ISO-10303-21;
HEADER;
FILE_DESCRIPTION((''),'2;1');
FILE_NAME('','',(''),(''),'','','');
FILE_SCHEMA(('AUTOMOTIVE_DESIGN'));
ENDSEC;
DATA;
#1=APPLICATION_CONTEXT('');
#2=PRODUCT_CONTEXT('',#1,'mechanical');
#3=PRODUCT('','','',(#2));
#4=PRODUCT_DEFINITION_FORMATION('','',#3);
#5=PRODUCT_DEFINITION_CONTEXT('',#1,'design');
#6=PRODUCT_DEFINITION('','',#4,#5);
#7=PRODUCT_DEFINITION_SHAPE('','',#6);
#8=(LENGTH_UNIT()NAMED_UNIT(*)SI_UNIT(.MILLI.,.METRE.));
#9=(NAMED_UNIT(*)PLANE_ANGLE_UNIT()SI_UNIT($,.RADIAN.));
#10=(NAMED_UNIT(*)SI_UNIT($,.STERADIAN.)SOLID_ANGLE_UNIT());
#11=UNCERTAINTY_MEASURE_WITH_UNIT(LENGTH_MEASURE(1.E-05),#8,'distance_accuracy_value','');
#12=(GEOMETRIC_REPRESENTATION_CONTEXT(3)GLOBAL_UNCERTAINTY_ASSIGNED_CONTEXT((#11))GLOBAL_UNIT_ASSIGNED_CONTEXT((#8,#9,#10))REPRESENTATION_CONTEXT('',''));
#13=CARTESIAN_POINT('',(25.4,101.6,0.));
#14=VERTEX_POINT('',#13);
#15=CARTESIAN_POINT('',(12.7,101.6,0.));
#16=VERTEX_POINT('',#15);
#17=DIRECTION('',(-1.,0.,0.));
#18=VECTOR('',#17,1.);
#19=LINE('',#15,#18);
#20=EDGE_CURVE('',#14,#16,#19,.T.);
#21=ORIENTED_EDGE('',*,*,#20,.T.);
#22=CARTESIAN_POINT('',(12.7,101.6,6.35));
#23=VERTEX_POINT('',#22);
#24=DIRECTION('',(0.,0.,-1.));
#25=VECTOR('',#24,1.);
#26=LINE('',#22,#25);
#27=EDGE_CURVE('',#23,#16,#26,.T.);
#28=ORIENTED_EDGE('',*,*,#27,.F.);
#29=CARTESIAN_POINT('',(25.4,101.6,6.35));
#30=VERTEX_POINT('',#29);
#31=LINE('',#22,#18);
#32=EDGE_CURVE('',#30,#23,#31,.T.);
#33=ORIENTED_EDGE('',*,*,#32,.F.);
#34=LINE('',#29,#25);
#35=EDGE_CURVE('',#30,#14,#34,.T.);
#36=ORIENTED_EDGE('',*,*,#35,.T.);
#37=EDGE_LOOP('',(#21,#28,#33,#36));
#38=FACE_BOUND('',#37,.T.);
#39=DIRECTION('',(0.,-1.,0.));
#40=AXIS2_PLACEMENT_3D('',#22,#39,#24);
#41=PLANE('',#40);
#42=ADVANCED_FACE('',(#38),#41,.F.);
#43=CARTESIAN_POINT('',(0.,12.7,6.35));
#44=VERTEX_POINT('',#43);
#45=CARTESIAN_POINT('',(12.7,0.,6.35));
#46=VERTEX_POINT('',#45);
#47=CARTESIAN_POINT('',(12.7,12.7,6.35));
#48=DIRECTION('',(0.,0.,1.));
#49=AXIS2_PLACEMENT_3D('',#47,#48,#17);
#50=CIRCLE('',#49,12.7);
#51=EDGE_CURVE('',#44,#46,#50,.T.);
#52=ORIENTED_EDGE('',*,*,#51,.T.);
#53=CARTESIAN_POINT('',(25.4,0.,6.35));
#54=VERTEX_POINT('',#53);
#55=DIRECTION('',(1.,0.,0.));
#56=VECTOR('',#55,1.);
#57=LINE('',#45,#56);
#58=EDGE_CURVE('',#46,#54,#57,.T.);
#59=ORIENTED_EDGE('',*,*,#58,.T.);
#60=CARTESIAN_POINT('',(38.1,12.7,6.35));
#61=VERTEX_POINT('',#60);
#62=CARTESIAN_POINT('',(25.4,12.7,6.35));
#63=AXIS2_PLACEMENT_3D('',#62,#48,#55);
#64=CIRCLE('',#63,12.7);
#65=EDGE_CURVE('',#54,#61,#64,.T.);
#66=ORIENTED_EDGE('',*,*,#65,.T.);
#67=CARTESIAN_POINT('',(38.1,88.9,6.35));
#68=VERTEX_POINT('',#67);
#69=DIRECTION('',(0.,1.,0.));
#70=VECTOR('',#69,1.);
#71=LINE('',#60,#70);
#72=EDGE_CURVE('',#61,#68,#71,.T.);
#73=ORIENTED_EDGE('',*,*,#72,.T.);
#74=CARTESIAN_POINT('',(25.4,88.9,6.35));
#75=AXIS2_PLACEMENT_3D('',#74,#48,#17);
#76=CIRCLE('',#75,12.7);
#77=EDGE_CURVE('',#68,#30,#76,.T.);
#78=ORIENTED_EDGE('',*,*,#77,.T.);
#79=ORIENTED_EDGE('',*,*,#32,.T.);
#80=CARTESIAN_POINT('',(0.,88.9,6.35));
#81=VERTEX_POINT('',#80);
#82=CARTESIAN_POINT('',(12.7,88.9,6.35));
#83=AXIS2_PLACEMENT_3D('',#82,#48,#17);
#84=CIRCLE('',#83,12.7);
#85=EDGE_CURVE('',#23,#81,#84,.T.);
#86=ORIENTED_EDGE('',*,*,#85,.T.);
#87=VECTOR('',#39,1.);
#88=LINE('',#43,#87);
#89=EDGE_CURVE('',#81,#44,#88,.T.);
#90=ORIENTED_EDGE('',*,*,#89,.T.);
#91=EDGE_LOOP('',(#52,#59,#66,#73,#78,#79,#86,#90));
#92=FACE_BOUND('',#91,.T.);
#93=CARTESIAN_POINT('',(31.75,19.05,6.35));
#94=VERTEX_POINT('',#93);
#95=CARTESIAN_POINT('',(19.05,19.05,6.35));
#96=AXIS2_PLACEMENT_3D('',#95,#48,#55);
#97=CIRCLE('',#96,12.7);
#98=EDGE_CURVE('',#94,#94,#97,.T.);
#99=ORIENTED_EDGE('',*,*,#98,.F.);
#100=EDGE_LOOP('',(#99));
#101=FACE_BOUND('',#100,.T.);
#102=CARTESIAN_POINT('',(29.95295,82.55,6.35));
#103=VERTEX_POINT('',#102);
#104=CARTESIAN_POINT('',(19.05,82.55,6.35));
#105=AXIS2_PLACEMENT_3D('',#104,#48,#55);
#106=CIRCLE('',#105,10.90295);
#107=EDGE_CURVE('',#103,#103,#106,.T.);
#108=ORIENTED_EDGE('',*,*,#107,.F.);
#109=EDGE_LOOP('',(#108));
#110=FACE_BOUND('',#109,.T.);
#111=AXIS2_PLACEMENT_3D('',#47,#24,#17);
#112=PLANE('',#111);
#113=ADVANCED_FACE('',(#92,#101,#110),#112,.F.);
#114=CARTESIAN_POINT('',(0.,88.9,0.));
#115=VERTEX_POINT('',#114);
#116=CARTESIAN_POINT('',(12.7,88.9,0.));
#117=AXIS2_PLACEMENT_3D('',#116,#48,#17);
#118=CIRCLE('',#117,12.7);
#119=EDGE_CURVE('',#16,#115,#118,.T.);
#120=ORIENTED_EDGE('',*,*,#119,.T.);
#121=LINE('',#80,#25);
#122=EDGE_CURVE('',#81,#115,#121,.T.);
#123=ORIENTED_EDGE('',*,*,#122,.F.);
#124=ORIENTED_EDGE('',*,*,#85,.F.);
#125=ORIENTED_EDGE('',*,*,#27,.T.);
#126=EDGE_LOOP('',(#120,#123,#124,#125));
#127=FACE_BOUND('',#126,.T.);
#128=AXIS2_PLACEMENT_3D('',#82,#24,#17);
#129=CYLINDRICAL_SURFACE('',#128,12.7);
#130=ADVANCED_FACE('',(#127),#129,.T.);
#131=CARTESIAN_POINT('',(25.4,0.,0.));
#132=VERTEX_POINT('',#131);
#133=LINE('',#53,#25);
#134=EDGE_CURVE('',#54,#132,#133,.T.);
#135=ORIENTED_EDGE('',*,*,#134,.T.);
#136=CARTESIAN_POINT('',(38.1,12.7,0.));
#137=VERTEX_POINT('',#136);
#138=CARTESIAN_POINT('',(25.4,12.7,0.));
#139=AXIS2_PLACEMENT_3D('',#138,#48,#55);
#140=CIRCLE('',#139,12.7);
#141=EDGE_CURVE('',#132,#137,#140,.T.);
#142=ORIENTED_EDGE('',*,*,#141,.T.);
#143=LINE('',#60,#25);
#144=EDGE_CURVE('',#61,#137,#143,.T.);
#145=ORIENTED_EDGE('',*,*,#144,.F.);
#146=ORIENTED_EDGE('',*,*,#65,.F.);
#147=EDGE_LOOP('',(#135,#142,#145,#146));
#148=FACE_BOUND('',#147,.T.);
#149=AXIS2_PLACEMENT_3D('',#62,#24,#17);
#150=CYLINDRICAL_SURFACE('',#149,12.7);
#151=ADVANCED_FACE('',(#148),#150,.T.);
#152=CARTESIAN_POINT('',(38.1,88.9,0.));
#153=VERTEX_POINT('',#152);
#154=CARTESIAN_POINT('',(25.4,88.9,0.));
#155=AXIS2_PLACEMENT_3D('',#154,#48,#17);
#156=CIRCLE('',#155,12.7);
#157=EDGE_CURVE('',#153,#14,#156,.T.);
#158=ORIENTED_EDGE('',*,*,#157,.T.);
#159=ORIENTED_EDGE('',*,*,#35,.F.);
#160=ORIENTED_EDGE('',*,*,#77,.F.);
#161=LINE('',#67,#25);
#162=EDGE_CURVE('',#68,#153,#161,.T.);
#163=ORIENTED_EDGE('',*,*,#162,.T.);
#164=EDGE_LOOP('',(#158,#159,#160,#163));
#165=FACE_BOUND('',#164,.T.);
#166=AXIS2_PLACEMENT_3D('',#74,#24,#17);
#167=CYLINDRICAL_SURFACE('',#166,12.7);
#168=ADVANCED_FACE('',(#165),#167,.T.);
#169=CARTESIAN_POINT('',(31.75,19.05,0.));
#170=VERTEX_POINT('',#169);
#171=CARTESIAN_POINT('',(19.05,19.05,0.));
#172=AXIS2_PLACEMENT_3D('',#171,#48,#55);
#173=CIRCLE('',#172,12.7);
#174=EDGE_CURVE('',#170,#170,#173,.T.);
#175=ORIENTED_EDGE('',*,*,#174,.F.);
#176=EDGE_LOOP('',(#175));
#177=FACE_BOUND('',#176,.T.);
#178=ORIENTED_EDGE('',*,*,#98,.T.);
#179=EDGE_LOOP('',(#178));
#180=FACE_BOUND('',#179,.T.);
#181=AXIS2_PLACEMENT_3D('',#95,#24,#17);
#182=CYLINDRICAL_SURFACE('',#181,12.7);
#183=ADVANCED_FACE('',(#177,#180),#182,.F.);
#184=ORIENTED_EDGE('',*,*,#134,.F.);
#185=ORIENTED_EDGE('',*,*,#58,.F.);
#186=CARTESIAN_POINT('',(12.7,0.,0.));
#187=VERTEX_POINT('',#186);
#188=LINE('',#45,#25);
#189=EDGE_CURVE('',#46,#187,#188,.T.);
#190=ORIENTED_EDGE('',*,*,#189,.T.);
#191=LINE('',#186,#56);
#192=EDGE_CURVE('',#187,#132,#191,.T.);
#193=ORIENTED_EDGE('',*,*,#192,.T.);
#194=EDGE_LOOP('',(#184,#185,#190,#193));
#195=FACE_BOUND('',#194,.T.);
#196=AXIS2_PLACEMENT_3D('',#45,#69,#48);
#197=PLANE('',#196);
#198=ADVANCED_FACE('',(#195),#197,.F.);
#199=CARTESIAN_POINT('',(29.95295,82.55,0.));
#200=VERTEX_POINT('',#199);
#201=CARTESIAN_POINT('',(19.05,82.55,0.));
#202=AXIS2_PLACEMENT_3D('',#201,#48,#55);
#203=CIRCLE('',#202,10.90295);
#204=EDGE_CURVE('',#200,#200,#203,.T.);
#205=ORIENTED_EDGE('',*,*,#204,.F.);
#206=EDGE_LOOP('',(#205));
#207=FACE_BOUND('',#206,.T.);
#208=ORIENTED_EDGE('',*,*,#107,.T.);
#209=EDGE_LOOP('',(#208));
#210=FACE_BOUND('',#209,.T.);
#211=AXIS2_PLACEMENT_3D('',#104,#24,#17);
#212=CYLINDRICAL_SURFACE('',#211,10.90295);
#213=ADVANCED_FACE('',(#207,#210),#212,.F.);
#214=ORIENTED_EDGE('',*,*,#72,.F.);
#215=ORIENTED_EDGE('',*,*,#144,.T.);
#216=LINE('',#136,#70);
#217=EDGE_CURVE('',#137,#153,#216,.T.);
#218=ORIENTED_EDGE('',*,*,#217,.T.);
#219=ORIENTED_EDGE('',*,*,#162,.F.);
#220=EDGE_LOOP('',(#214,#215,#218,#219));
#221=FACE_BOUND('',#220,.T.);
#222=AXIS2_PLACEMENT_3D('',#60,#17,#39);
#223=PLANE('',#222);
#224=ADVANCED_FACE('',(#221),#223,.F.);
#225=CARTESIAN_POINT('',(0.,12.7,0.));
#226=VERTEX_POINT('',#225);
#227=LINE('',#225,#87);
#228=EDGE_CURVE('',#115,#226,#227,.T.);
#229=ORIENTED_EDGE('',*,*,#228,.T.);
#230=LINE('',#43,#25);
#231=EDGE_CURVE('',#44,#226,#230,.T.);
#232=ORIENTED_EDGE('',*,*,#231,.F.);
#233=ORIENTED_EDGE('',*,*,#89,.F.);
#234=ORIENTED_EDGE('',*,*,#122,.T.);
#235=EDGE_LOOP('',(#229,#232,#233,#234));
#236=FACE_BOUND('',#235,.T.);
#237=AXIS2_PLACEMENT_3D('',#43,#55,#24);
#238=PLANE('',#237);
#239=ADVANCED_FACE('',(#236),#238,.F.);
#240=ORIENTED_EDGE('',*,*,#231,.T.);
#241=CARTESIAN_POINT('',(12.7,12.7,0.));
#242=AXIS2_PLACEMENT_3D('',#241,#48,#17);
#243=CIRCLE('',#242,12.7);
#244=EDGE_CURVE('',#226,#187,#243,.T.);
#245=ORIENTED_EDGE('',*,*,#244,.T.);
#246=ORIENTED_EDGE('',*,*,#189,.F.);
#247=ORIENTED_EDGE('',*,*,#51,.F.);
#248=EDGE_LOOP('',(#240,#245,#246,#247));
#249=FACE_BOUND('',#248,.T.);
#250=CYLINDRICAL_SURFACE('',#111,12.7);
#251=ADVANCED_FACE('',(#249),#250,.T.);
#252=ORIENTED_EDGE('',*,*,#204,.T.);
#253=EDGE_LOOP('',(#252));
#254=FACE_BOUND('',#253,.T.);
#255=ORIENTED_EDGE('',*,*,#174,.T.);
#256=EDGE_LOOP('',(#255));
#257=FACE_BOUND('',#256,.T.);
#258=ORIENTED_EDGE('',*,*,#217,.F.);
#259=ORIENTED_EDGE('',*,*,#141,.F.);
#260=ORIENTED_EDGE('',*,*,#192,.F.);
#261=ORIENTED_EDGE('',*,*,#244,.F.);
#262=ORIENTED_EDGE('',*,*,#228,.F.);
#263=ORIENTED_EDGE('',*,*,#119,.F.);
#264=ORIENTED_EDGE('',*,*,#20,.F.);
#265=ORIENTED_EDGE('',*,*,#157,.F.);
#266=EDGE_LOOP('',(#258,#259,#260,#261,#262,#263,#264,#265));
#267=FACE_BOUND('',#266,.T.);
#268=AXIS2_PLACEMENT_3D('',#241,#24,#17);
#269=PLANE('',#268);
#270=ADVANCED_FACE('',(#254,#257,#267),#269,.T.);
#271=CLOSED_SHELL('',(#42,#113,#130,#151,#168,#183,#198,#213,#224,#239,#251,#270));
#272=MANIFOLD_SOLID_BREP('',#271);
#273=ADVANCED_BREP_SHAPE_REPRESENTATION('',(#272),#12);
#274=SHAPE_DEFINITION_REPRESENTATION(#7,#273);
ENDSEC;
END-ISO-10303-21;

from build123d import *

# Parameters (mm, degrees)
SKETCH1_R           = 10.90295
SKETCH1_R_2         = 12.7
BOSS_EXTRUDE1_DEPTH = 6.35


with BuildPart() as part:
    # Sketch1 → Boss-Extrude1 (new body)
    with BuildSketch(Plane.XY):
        with BuildLine():
            Line((12.7, 0), (25.4, 0))
            ThreePointArc((25.4, 0), (34.380256121, 3.719743879), (38.1, 12.7))
            Line((38.1, 12.7), (38.1, 88.9))
            ThreePointArc((38.1, 88.9), (34.380256121, 97.880256121), (25.4, 101.6))
            Line((25.4, 101.6), (12.7, 101.6))
            ThreePointArc((12.7, 101.6), (3.719743879, 97.880256121), (0, 88.9))
            Line((0, 88.9), (0, 12.7))
            ThreePointArc((0, 12.7), (3.719743879, 3.719743879), (12.7, 0))
        make_face()
        with Locations((19.05, 82.55)):
            Circle(SKETCH1_R, mode=Mode.SUBTRACT)
        with Locations((19.05, 19.05)):
            Circle(SKETCH1_R_2, mode=Mode.SUBTRACT)
    extrude(amount=BOSS_EXTRUDE1_DEPTH)


solid = part.part
